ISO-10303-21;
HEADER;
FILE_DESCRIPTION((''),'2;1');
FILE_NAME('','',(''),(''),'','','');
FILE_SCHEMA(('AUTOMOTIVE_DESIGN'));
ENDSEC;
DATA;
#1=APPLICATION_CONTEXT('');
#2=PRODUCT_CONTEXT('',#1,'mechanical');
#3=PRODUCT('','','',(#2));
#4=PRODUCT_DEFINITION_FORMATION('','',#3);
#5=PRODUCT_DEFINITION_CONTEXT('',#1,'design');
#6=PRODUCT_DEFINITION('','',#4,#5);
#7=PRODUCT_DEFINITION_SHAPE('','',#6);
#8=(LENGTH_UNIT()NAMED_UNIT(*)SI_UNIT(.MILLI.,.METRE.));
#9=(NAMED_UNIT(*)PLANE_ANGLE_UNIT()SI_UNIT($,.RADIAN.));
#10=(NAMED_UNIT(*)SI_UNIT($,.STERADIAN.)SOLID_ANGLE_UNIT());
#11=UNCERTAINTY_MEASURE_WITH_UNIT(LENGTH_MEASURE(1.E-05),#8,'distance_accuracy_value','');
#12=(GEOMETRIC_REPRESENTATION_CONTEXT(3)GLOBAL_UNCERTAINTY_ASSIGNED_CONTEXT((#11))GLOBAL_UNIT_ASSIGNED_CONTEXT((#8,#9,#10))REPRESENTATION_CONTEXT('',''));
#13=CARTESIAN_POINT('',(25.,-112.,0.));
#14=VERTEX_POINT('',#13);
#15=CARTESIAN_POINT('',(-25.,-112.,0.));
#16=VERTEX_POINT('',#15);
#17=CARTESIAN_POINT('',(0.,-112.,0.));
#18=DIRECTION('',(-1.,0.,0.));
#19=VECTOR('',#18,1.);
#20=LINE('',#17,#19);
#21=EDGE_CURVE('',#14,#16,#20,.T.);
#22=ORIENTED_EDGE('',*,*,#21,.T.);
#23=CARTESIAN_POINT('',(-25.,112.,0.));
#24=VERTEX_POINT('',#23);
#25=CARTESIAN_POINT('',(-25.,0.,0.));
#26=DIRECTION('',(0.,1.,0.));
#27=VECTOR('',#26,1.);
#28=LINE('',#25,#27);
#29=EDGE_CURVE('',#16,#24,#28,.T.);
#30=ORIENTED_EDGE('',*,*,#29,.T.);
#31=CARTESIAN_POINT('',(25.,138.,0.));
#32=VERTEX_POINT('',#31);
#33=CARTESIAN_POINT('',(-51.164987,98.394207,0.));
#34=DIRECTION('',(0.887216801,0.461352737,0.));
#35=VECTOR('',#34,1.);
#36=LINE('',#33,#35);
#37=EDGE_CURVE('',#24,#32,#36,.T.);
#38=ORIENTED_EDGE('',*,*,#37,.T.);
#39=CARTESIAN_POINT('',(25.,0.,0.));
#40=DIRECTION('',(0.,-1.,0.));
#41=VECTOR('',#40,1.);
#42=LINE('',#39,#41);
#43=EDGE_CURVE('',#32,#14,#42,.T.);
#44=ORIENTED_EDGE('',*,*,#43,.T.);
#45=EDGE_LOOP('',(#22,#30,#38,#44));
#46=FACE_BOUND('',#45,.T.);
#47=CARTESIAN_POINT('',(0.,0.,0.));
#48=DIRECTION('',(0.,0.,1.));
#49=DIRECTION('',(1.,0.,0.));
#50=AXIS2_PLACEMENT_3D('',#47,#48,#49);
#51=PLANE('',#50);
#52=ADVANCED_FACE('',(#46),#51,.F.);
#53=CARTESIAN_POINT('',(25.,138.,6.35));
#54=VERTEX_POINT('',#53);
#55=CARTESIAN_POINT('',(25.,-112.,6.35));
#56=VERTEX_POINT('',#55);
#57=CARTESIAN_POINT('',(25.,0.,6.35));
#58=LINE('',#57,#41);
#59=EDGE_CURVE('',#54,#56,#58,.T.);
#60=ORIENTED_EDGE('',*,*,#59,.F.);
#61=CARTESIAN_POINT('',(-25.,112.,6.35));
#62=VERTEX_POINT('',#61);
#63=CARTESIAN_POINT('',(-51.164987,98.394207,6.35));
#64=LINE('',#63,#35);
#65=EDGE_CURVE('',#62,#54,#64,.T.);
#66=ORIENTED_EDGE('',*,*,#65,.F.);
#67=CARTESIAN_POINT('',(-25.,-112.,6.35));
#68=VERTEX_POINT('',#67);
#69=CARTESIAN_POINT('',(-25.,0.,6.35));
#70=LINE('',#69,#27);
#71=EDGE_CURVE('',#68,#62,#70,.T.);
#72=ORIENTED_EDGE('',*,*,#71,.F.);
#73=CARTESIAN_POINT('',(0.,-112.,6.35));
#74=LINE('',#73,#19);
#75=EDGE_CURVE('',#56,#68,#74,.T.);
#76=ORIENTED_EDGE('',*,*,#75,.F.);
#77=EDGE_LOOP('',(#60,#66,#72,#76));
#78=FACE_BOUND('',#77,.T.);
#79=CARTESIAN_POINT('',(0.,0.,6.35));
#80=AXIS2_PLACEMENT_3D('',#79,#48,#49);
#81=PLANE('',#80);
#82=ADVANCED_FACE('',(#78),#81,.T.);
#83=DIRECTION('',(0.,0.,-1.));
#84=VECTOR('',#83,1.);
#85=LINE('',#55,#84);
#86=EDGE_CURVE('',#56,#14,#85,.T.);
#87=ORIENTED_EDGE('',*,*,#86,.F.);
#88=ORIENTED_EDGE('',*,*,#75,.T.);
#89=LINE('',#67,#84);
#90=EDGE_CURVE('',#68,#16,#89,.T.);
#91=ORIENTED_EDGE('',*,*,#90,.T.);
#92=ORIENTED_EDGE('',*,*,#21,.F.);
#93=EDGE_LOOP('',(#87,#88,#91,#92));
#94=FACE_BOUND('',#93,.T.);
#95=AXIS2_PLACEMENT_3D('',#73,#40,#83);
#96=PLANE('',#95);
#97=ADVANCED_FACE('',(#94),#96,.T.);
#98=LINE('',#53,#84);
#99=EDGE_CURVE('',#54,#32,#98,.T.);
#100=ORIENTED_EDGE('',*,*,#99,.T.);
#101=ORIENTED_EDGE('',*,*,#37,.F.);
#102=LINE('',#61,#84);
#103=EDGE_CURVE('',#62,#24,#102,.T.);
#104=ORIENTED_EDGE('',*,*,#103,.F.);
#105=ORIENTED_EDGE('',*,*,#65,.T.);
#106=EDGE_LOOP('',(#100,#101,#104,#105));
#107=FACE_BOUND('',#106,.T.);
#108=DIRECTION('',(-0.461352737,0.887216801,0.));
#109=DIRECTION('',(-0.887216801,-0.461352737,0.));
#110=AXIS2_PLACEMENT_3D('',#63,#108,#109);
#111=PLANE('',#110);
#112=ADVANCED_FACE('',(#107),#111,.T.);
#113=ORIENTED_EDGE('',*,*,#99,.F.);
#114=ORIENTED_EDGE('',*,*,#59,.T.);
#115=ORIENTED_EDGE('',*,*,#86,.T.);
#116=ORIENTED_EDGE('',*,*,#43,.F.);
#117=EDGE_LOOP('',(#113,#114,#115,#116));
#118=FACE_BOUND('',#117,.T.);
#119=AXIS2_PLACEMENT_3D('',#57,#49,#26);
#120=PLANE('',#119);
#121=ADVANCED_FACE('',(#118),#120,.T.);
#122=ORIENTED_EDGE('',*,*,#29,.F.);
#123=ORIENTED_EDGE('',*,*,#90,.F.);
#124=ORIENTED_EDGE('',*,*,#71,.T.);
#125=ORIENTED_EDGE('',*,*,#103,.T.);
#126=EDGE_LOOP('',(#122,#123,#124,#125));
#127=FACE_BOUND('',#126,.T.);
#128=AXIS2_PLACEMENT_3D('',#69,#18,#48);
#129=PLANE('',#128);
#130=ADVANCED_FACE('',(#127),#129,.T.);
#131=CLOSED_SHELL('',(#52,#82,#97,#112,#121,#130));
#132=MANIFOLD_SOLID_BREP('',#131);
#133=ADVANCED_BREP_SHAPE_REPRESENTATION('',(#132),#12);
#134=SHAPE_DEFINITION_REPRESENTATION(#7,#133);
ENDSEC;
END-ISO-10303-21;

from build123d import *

# Parameters (mm, degrees)
BOSS_EXTRUDE1_DEPTH = 6.35


with BuildPart() as part:
    # Sketch1 → Boss-Extrude1 (new body)
    with BuildSketch(Plane.XY):
        Polygon((-25, -112), (25, -112), (25, 138), (-25, 112), align=None)
    extrude(amount=BOSS_EXTRUDE1_DEPTH)


solid = part.part
